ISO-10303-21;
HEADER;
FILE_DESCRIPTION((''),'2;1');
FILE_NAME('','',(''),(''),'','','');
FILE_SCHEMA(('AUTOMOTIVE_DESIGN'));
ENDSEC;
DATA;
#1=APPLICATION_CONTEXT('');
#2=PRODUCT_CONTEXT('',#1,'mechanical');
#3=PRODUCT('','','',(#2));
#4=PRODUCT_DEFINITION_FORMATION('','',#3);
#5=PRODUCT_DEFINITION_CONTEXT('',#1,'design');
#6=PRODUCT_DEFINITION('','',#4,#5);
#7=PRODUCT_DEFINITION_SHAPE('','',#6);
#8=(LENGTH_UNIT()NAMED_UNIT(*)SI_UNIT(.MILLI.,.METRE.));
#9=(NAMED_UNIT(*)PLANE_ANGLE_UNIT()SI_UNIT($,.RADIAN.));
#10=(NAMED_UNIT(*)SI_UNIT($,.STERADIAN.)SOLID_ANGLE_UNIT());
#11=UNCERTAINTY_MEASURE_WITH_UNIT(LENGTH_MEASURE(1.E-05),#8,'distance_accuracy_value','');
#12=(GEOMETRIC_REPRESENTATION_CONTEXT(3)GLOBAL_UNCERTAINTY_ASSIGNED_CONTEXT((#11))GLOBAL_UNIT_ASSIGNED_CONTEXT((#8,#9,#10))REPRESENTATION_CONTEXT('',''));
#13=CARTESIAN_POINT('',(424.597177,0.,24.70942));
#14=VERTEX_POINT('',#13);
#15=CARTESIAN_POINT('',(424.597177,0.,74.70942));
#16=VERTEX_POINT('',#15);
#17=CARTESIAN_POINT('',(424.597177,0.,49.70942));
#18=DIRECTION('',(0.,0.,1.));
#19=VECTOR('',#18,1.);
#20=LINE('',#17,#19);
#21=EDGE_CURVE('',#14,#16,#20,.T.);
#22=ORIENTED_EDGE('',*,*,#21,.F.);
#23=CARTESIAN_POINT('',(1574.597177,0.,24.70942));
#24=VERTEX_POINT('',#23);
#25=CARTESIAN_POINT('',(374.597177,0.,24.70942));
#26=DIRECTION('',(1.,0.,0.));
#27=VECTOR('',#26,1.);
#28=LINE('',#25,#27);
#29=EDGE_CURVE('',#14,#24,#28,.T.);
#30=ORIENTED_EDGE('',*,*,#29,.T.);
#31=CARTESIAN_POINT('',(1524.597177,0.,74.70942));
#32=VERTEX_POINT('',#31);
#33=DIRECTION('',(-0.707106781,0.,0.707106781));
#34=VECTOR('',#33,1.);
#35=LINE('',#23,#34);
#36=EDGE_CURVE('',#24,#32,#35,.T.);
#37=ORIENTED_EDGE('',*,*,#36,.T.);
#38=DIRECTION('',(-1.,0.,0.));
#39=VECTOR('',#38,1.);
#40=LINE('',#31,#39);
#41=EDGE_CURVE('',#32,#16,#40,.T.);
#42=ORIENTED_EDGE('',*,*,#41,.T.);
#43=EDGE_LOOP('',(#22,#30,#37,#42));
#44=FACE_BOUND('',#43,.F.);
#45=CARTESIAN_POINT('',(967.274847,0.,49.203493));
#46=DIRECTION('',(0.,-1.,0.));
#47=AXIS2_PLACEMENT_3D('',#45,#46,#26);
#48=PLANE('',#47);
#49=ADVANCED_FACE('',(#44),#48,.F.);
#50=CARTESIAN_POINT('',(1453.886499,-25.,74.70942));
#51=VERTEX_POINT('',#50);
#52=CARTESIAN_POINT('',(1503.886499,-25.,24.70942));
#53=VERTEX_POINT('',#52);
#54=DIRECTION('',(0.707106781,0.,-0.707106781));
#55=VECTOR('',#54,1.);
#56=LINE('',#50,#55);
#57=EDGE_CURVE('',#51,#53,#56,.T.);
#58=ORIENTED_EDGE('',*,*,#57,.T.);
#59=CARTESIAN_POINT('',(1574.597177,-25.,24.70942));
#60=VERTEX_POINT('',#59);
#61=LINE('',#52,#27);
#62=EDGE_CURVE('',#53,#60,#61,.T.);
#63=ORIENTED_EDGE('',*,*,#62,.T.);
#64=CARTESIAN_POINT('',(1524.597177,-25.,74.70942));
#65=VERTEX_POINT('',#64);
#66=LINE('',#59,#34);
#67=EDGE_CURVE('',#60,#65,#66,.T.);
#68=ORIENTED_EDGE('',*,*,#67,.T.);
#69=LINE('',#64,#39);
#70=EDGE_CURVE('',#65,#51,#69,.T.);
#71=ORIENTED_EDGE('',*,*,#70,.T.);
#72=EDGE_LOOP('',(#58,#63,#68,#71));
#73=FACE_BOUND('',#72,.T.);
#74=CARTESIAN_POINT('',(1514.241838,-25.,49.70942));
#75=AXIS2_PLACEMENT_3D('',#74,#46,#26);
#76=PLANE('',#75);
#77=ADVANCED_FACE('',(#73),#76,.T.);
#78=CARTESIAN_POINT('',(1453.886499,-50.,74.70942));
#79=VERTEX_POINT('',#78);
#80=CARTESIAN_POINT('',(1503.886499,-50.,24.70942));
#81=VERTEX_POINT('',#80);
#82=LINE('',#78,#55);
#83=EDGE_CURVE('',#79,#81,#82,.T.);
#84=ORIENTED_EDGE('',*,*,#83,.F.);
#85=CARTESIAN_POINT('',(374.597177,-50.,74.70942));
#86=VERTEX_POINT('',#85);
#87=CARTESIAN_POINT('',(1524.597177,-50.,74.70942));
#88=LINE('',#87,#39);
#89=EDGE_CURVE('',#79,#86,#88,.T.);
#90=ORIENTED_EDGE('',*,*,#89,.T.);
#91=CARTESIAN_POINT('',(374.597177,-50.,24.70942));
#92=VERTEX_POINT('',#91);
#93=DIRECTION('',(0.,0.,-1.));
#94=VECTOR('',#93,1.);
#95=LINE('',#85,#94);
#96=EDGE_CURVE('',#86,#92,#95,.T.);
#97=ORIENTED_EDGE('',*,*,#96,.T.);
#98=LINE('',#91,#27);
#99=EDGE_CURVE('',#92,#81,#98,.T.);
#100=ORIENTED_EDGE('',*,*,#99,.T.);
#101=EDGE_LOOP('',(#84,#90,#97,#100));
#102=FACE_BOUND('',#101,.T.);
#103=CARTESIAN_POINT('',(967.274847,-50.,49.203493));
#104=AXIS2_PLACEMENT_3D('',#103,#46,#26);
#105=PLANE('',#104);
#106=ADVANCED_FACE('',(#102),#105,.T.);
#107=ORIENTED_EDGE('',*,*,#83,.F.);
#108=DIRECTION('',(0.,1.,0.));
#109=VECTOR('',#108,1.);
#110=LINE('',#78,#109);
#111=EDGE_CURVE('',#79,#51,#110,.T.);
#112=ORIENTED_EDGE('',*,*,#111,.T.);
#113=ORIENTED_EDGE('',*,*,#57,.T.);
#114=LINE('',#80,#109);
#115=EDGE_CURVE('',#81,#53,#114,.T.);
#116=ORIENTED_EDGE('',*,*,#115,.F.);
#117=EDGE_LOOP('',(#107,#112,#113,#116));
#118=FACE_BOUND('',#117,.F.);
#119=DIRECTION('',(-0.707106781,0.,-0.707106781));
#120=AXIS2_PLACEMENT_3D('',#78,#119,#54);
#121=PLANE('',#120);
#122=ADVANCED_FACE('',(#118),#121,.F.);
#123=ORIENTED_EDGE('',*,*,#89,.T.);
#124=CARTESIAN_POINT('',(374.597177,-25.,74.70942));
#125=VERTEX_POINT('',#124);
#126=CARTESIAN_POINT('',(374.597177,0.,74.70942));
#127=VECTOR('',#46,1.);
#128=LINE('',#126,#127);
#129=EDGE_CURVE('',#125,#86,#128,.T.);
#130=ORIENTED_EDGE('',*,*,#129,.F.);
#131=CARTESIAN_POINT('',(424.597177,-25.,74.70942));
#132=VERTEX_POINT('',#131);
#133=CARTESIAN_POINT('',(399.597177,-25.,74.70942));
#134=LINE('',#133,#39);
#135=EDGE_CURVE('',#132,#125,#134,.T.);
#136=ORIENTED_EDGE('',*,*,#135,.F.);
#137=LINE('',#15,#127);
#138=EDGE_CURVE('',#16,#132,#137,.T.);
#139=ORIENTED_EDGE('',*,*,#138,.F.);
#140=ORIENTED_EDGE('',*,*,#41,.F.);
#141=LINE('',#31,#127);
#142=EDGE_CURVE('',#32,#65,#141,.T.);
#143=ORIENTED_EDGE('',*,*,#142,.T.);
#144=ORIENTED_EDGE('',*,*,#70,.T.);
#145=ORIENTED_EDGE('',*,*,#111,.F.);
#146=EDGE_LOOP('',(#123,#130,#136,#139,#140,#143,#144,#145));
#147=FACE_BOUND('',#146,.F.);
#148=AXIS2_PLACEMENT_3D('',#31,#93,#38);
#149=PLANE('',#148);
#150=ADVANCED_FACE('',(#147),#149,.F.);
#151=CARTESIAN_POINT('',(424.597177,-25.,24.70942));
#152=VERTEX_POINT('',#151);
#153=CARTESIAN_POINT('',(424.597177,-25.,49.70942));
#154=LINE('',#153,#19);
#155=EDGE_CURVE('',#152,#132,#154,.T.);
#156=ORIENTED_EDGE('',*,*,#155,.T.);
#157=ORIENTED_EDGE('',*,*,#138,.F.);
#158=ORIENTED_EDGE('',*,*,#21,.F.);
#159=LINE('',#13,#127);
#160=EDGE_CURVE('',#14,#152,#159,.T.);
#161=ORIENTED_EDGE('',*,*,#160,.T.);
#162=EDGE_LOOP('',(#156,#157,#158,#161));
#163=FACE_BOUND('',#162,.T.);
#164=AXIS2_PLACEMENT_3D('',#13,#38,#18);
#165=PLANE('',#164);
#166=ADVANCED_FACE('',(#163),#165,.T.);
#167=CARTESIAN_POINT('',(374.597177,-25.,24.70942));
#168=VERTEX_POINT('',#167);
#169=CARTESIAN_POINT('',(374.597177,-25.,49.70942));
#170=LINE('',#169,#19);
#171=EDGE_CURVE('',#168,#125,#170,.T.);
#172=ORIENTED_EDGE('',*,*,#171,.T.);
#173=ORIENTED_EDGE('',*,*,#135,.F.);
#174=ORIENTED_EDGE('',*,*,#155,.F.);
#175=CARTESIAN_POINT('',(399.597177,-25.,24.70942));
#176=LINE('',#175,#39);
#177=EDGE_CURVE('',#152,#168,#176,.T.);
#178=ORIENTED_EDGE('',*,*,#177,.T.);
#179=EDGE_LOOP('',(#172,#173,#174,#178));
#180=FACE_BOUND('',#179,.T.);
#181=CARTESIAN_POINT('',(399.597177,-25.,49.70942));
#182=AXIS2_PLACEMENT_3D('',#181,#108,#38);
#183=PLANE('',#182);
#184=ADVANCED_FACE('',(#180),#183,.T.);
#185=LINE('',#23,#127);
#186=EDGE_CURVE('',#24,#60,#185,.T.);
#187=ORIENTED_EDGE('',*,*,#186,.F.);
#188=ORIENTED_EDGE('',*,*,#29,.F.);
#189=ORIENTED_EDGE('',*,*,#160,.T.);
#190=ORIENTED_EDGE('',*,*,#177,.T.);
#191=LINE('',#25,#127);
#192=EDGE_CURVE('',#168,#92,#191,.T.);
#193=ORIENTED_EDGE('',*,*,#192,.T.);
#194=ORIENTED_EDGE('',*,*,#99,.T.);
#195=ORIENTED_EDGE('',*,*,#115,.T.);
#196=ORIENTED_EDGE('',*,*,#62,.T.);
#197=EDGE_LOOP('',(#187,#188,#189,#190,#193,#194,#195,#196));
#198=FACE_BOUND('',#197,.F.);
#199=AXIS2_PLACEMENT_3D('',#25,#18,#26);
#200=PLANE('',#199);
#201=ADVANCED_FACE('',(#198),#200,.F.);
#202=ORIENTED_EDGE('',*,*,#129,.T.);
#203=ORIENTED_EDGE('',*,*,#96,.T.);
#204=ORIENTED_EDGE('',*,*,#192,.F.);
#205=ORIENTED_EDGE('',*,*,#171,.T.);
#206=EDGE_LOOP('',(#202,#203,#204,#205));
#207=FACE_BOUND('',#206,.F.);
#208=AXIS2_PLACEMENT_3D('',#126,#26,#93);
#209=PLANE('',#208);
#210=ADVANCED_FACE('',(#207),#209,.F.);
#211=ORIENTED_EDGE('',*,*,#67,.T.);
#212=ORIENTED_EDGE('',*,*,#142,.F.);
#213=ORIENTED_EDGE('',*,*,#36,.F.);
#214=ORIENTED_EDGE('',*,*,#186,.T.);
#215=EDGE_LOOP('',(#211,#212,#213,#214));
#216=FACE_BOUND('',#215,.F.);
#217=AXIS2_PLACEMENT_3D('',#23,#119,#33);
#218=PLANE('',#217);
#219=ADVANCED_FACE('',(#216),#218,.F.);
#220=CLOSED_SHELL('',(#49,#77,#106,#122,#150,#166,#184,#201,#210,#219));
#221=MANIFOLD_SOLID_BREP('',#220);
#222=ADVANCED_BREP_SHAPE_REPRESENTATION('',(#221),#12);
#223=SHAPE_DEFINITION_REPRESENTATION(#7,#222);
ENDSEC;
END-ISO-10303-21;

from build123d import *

# Parameters (mm, degrees)
F1_DEPTH = 50
F3_DEPTH = 25
F4_W     = 50
F4_H     = 50
F5_DEPTH = 25


with BuildPart() as f1:
    # F0 (on Front) → F1 (new body)
    with BuildSketch(Plane.XZ):
        Polygon((374.597177, 74.70942), (374.597177, 24.70942), (1574.597177, 24.70942), (1524.597177, 74.70942), align=None)
    extrude(amount=F1_DEPTH)

    # F2 (on face) → F3 (cut)
    with BuildSketch(Plane.XZ.offset(50)):
        Polygon((1503.886499, 24.70942), (1574.597177, 24.70942), (1524.597177, 74.70942), (1453.886499, 74.70942), align=None)
    extrude(amount=-F3_DEPTH, mode=Mode.SUBTRACT)

    # F4 (on face) → F5 (cut)
    with BuildSketch(Plane(origin=(0, 0, 0), x_dir=(-1, 0, 0), z_dir=(0, 1, 0))):
        with Locations((-399.597177, 49.70942)):
            Rectangle(F4_W, F4_H)
    extrude(amount=-F5_DEPTH, mode=Mode.SUBTRACT)


solid = f1.part
